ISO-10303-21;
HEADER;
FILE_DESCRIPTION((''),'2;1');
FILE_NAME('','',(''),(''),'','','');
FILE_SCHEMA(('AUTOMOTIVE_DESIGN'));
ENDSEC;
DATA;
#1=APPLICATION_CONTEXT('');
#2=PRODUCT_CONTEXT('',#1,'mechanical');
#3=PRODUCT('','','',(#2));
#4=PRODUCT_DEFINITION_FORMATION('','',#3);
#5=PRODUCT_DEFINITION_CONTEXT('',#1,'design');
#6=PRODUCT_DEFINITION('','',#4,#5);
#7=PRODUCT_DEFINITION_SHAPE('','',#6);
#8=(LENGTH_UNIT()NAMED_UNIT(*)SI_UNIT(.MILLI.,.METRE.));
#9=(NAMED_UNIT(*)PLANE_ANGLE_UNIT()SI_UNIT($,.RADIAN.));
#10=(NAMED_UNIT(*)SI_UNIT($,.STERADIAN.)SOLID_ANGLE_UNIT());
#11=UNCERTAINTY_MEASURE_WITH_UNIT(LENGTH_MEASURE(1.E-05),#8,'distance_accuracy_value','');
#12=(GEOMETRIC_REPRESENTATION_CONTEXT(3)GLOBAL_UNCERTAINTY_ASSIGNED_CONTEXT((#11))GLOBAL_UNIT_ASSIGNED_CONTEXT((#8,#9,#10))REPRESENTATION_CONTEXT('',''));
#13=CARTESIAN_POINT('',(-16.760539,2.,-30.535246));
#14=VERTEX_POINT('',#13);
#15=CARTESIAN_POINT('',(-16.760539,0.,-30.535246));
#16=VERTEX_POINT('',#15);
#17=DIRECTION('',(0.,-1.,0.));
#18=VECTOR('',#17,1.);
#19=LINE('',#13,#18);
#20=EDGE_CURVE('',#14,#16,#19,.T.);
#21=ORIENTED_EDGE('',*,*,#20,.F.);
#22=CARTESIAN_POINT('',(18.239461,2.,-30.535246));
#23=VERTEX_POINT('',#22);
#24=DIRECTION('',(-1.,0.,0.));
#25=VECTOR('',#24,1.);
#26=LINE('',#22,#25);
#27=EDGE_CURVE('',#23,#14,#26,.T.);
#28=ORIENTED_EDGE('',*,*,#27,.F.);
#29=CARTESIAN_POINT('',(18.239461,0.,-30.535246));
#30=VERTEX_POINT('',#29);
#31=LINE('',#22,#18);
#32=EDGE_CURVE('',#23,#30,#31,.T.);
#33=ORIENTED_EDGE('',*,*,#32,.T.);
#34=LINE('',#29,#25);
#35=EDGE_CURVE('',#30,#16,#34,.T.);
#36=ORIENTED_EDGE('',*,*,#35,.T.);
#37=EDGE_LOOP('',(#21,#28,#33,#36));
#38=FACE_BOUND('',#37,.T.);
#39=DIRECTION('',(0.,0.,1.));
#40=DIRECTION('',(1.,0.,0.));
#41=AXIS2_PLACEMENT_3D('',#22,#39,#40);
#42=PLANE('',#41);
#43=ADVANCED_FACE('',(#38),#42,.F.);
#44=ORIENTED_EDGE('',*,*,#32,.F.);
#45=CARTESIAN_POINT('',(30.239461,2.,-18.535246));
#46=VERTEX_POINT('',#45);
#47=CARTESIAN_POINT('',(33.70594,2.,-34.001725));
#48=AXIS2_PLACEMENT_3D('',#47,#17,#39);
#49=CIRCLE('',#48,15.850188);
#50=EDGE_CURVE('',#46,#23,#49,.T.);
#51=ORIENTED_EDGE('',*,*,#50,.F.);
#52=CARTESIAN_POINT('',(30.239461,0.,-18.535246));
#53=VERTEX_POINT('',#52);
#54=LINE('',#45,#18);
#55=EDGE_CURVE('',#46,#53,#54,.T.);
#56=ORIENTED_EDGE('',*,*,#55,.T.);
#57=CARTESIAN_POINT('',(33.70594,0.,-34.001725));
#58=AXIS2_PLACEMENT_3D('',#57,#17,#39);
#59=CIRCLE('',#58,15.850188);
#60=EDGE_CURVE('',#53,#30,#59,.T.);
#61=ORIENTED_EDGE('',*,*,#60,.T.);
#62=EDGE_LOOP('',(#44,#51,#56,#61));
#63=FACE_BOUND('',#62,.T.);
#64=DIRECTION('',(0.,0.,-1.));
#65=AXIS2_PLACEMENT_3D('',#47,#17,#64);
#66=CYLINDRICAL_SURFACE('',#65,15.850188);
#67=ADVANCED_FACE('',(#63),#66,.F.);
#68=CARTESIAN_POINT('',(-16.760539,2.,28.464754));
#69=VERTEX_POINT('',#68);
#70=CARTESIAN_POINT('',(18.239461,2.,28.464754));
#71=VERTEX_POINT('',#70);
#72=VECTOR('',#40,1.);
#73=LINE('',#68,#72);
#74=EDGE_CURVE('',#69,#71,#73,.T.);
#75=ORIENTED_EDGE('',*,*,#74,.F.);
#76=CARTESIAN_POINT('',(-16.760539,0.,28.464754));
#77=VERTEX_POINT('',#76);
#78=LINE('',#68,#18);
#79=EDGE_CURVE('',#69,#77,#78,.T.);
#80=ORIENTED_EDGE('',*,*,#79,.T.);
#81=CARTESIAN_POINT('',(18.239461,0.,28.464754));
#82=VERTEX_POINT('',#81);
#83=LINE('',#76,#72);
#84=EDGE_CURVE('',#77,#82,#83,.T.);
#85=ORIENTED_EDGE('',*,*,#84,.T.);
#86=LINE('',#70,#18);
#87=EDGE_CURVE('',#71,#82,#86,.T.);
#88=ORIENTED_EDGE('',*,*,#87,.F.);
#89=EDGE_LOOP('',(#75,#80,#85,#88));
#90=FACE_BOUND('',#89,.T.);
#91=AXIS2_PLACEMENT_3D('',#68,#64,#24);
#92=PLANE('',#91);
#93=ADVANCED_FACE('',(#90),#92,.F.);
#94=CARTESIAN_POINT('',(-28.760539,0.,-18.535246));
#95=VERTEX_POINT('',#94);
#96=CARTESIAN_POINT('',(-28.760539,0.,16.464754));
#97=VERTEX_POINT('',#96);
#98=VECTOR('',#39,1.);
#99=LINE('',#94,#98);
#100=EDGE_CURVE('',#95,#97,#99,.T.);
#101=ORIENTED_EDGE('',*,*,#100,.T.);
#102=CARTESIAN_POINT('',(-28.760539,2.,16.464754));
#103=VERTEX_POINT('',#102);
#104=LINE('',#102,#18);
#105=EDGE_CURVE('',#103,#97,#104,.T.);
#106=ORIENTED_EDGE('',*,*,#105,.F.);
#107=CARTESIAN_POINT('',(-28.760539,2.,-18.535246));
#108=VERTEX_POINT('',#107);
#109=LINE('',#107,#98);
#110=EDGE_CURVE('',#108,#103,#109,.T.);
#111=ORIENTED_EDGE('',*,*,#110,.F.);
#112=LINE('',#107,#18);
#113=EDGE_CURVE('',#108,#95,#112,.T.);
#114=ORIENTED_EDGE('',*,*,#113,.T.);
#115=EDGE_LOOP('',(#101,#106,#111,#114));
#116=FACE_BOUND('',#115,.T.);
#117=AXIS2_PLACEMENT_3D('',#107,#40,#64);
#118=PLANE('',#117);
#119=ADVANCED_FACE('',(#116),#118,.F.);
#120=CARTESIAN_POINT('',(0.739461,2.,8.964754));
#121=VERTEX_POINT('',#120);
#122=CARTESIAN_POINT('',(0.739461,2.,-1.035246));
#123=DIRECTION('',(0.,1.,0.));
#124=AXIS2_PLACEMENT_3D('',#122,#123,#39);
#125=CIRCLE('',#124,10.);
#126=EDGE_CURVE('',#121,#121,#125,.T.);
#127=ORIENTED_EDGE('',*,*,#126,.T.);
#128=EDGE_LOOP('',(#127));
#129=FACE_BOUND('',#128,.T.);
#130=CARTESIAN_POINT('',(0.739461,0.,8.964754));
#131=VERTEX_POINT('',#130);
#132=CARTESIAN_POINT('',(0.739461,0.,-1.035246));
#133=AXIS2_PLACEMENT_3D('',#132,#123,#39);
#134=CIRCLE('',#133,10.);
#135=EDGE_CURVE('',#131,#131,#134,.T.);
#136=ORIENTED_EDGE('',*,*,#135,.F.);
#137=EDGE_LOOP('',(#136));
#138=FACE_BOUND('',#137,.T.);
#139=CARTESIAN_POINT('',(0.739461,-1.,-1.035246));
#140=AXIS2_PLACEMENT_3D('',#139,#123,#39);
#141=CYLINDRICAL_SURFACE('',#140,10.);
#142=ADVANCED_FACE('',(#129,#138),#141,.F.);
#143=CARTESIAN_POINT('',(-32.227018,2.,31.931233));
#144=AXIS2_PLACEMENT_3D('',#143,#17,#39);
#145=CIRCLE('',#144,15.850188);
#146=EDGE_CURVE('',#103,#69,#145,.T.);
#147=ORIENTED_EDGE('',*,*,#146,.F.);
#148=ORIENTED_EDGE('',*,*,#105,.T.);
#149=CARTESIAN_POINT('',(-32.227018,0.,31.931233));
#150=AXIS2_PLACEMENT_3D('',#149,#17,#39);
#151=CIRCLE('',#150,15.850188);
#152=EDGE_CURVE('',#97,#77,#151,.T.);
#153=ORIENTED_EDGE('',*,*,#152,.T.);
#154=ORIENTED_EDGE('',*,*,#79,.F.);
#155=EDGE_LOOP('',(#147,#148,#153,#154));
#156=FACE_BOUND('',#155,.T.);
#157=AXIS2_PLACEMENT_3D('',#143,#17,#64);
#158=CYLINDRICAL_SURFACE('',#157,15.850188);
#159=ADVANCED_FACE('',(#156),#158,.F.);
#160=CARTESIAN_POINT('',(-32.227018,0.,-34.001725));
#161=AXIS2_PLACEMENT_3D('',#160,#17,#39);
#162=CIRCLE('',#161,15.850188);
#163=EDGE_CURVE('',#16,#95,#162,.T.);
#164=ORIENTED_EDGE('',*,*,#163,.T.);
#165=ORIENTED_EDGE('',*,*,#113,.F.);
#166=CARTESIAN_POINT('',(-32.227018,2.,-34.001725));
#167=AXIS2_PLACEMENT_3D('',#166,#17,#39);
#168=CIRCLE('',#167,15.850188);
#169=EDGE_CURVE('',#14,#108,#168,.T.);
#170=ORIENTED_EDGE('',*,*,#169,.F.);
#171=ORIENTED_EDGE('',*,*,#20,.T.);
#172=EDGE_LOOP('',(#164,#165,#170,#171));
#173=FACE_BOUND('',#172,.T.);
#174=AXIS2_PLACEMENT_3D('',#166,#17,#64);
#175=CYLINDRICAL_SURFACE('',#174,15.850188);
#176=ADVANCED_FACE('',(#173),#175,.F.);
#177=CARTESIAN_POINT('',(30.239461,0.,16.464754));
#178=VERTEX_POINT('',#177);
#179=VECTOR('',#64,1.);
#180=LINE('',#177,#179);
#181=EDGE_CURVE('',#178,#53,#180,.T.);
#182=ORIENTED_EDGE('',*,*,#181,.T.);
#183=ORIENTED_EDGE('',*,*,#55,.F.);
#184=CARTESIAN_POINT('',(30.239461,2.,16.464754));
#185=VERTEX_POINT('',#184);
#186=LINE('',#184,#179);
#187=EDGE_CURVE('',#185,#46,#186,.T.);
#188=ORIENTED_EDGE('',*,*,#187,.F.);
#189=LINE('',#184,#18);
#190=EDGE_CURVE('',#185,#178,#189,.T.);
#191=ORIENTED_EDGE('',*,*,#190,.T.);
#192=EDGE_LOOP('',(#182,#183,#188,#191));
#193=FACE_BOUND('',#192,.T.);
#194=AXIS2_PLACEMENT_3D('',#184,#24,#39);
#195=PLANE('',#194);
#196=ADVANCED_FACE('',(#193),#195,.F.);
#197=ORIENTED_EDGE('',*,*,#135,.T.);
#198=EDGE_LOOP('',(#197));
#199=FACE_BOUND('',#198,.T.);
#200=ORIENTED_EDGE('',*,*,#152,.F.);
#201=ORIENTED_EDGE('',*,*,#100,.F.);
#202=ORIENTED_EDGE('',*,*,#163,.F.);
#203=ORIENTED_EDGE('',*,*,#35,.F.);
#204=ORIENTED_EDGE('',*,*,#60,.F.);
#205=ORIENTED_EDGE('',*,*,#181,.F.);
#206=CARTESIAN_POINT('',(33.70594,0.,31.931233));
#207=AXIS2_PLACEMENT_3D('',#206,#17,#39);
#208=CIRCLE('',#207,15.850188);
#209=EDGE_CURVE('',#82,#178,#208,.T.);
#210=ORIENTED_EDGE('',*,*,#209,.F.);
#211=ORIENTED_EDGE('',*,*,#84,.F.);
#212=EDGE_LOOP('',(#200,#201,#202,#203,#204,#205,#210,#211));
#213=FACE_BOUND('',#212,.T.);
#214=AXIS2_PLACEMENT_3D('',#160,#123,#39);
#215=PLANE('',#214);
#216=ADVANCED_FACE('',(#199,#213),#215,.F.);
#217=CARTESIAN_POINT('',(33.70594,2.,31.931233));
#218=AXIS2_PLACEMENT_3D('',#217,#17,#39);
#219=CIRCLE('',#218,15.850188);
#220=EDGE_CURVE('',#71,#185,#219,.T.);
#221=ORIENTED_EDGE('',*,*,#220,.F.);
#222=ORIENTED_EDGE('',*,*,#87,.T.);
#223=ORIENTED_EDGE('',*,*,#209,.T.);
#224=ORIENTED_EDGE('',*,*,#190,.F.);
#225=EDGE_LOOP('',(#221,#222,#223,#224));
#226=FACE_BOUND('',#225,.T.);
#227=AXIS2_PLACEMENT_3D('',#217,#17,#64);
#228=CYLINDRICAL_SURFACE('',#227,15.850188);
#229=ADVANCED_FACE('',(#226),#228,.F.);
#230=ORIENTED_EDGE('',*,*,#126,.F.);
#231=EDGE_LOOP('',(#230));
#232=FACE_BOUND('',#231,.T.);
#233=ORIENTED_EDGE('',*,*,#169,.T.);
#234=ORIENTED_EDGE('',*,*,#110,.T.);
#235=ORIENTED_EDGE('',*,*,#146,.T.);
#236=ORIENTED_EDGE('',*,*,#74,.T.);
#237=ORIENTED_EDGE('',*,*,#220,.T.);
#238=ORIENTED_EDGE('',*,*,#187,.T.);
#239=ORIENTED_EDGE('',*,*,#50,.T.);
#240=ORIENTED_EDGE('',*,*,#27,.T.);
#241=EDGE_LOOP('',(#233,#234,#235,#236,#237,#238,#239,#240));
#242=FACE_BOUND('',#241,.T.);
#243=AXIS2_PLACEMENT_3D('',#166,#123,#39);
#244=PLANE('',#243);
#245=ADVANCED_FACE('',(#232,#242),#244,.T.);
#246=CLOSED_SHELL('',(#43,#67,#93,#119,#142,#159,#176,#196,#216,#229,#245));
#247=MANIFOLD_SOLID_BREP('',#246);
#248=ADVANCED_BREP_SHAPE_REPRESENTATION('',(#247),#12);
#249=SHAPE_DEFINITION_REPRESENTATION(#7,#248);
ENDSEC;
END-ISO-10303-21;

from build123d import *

# Parameters (mm, degrees)
BOSS_EXTRUDE1_DEPTH = 2
SKETCH6_R           = 10
CUT_EXTRUDE1_DEPTH  = 3


with BuildPart() as part:
    # Sketch1 → Boss-Extrude1 (new body)
    with BuildSketch(Plane(origin=(0, 0, 0), x_dir=(1, 0, 0), z_dir=(0, 1, 0))):
        with BuildLine():
            Line((-28.760538659, 18.535245878), (-28.760538659, -16.464754122))
            ThreePointArc((-28.760538659, -16.464754122), (-21.019242456, -20.723457919), (-16.760538659, -28.464754122))
            Line((-16.760538659, -28.464754122), (18.239461341, -28.464754122))
            ThreePointArc((18.239461341, -28.464754122), (22.498165139, -20.723457919), (30.239461341, -16.464754122))
            Line((30.239461341, -16.464754122), (30.239461341, 18.535245878))
            ThreePointArc((30.239461341, 18.535245878), (22.498165139, 22.793949675), (18.239461341, 30.535245878))
            Line((18.239461341, 30.535245878), (-16.760538659, 30.535245878))
            ThreePointArc((-16.760538659, 30.535245878), (-21.019242456, 22.793949675), (-28.760538659, 18.535245878))
        make_face()
    extrude(amount=BOSS_EXTRUDE1_DEPTH)

    # Sketch6 → Cut-Extrude1 (cut)
    with BuildSketch(Plane(origin=(0, 2, 0), x_dir=(1, 0, 0), z_dir=(0, 1, 0))):
        with Locations((0.739461341, 1.035245878)):
            Circle(SKETCH6_R)
    extrude(amount=-CUT_EXTRUDE1_DEPTH, mode=Mode.SUBTRACT)


solid = part.part
